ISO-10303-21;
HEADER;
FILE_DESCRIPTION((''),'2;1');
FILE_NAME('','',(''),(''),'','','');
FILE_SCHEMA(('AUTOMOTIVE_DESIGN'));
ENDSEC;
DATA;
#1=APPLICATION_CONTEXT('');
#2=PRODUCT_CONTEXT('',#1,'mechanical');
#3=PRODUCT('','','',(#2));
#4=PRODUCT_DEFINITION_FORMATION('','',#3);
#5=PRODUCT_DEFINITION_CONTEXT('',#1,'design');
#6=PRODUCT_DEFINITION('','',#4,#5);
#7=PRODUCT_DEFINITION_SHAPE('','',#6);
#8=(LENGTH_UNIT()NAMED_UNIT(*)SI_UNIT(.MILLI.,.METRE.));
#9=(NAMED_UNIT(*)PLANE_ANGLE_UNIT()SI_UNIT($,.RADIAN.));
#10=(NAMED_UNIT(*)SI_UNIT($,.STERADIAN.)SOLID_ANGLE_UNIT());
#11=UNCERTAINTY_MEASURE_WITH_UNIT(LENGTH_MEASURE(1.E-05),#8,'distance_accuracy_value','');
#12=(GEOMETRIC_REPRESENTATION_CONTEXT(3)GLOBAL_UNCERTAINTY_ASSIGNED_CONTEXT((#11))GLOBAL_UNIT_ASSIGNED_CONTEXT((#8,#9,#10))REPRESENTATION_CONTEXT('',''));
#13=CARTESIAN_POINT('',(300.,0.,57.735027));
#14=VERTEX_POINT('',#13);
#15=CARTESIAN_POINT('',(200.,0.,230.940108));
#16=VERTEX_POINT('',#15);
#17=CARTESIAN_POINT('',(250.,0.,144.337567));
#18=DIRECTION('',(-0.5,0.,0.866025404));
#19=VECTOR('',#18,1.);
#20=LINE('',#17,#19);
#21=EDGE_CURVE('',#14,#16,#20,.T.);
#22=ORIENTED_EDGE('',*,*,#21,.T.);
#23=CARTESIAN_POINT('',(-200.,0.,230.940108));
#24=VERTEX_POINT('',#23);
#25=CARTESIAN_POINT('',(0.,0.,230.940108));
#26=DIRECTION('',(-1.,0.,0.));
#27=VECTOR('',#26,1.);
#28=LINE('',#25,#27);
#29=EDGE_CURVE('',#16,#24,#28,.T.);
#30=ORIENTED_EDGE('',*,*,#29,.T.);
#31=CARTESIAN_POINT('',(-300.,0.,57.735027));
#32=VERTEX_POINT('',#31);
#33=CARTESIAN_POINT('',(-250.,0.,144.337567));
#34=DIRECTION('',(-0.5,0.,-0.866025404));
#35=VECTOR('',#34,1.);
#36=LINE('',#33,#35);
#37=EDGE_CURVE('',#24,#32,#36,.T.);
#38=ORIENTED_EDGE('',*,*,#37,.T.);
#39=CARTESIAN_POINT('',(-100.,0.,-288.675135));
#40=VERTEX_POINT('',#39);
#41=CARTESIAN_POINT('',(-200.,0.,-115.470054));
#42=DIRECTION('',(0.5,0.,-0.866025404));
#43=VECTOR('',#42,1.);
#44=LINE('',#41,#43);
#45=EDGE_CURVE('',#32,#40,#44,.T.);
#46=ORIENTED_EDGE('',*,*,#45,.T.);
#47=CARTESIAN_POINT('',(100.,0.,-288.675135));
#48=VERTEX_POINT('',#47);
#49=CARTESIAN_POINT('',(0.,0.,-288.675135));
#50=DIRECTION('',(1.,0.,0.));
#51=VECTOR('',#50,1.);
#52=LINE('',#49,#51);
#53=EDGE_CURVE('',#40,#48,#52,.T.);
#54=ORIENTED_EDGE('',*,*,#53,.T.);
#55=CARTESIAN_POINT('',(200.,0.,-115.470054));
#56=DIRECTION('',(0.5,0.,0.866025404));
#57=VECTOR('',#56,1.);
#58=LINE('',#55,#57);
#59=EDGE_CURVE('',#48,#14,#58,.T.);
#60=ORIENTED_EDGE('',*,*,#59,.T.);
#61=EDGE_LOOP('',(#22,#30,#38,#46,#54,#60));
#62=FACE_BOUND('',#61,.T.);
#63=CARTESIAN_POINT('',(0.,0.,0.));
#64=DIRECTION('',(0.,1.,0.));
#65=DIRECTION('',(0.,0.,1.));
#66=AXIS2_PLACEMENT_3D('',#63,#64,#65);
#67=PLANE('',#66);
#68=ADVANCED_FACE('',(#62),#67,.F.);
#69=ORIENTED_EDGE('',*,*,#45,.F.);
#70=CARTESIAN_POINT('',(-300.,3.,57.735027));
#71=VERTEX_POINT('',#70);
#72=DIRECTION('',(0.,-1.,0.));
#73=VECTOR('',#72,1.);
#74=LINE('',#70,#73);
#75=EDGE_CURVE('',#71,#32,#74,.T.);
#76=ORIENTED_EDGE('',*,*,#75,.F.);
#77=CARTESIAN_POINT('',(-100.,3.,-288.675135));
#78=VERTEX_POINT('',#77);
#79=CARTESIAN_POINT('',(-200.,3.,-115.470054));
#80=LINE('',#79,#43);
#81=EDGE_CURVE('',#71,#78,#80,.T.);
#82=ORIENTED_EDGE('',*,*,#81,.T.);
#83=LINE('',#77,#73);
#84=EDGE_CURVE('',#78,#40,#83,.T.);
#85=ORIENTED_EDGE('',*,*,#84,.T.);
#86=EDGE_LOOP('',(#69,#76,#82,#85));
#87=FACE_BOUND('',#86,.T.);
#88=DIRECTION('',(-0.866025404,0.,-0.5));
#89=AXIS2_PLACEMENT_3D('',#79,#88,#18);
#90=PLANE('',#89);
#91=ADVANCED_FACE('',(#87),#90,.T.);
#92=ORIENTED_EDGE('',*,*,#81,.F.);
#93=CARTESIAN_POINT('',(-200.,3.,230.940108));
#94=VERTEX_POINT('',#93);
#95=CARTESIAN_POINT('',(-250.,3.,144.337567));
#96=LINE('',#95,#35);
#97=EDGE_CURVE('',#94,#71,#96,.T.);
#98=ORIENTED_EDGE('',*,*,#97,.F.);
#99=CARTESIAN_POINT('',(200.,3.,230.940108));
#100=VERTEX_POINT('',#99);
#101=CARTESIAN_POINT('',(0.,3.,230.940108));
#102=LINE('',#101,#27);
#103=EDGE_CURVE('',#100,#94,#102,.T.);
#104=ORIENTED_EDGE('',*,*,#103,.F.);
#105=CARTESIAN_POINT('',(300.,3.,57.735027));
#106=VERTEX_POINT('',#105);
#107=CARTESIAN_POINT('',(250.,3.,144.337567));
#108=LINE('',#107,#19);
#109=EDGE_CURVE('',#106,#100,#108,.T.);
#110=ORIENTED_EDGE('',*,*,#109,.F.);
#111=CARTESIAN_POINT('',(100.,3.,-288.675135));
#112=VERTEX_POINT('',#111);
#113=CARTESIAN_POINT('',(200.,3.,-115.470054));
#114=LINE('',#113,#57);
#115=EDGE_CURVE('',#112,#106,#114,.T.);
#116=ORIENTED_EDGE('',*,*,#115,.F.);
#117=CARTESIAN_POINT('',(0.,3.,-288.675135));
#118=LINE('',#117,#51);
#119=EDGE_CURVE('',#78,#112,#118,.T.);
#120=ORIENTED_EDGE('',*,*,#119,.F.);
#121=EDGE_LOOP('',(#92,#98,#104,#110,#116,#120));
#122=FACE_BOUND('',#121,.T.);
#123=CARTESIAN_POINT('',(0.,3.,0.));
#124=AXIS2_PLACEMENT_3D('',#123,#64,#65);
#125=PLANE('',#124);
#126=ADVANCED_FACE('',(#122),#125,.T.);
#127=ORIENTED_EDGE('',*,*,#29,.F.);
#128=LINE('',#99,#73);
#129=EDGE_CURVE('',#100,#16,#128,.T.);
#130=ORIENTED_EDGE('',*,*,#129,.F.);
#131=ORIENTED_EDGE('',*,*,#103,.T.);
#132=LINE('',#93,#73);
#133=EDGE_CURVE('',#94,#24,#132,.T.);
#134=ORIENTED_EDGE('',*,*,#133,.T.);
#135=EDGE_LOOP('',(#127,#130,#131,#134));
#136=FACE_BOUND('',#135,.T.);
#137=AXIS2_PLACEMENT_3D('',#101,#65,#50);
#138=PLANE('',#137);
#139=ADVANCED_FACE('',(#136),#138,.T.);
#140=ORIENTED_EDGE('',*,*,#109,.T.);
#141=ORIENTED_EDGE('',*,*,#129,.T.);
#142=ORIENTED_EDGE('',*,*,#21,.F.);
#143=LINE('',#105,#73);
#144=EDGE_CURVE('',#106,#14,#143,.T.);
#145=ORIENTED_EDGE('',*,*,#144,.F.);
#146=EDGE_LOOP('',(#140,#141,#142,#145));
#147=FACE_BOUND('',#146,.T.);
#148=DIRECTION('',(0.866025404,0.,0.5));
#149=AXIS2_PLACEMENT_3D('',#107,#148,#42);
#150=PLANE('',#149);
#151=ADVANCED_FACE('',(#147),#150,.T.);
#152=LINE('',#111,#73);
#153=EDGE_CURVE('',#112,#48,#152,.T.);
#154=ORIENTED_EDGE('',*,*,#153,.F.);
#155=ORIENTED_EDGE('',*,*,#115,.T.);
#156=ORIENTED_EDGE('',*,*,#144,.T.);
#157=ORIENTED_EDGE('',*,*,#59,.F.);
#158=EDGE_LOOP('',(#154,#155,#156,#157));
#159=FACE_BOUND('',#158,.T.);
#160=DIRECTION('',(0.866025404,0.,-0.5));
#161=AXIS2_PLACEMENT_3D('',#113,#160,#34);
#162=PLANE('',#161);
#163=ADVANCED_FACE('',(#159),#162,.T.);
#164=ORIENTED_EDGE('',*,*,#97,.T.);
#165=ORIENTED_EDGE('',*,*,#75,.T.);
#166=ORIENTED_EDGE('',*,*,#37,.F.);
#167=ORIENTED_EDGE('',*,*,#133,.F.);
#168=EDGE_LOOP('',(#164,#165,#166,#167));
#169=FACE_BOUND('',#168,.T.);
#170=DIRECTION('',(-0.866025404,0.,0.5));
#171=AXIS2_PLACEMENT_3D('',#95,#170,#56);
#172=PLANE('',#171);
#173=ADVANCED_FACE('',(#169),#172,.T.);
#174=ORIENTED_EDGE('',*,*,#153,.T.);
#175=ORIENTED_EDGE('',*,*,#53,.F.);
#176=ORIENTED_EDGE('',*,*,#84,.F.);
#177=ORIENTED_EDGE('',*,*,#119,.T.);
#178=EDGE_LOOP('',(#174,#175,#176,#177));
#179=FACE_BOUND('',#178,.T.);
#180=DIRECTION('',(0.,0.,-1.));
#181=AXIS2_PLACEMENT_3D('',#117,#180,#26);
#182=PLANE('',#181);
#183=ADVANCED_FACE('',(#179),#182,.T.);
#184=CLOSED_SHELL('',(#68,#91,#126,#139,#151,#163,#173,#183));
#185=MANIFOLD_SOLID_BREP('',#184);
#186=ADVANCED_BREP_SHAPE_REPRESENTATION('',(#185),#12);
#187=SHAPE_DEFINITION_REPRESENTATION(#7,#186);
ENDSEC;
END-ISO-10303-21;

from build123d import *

# Parameters (mm, degrees)
BOSS_EXTRUDE1_DEPTH = 3


with BuildPart() as part:
    # Sketch2 → Boss-Extrude1 (new body)
    with BuildSketch(Plane(origin=(0, 0, 0), x_dir=(1, 0, 0), z_dir=(0, 1, 0))):
        Polygon((100, 288.675134595), (-100, 288.675134595), (-300, -57.735026919), (-250, -144.337567297), (200, 115.470053838), align=None)
        Polygon((300, -57.735026919), (200, 115.470053838), (-250, -144.337567297), (-200, -230.940107676), (200, -230.940107676), align=None)
    extrude(amount=BOSS_EXTRUDE1_DEPTH)


solid = part.part
